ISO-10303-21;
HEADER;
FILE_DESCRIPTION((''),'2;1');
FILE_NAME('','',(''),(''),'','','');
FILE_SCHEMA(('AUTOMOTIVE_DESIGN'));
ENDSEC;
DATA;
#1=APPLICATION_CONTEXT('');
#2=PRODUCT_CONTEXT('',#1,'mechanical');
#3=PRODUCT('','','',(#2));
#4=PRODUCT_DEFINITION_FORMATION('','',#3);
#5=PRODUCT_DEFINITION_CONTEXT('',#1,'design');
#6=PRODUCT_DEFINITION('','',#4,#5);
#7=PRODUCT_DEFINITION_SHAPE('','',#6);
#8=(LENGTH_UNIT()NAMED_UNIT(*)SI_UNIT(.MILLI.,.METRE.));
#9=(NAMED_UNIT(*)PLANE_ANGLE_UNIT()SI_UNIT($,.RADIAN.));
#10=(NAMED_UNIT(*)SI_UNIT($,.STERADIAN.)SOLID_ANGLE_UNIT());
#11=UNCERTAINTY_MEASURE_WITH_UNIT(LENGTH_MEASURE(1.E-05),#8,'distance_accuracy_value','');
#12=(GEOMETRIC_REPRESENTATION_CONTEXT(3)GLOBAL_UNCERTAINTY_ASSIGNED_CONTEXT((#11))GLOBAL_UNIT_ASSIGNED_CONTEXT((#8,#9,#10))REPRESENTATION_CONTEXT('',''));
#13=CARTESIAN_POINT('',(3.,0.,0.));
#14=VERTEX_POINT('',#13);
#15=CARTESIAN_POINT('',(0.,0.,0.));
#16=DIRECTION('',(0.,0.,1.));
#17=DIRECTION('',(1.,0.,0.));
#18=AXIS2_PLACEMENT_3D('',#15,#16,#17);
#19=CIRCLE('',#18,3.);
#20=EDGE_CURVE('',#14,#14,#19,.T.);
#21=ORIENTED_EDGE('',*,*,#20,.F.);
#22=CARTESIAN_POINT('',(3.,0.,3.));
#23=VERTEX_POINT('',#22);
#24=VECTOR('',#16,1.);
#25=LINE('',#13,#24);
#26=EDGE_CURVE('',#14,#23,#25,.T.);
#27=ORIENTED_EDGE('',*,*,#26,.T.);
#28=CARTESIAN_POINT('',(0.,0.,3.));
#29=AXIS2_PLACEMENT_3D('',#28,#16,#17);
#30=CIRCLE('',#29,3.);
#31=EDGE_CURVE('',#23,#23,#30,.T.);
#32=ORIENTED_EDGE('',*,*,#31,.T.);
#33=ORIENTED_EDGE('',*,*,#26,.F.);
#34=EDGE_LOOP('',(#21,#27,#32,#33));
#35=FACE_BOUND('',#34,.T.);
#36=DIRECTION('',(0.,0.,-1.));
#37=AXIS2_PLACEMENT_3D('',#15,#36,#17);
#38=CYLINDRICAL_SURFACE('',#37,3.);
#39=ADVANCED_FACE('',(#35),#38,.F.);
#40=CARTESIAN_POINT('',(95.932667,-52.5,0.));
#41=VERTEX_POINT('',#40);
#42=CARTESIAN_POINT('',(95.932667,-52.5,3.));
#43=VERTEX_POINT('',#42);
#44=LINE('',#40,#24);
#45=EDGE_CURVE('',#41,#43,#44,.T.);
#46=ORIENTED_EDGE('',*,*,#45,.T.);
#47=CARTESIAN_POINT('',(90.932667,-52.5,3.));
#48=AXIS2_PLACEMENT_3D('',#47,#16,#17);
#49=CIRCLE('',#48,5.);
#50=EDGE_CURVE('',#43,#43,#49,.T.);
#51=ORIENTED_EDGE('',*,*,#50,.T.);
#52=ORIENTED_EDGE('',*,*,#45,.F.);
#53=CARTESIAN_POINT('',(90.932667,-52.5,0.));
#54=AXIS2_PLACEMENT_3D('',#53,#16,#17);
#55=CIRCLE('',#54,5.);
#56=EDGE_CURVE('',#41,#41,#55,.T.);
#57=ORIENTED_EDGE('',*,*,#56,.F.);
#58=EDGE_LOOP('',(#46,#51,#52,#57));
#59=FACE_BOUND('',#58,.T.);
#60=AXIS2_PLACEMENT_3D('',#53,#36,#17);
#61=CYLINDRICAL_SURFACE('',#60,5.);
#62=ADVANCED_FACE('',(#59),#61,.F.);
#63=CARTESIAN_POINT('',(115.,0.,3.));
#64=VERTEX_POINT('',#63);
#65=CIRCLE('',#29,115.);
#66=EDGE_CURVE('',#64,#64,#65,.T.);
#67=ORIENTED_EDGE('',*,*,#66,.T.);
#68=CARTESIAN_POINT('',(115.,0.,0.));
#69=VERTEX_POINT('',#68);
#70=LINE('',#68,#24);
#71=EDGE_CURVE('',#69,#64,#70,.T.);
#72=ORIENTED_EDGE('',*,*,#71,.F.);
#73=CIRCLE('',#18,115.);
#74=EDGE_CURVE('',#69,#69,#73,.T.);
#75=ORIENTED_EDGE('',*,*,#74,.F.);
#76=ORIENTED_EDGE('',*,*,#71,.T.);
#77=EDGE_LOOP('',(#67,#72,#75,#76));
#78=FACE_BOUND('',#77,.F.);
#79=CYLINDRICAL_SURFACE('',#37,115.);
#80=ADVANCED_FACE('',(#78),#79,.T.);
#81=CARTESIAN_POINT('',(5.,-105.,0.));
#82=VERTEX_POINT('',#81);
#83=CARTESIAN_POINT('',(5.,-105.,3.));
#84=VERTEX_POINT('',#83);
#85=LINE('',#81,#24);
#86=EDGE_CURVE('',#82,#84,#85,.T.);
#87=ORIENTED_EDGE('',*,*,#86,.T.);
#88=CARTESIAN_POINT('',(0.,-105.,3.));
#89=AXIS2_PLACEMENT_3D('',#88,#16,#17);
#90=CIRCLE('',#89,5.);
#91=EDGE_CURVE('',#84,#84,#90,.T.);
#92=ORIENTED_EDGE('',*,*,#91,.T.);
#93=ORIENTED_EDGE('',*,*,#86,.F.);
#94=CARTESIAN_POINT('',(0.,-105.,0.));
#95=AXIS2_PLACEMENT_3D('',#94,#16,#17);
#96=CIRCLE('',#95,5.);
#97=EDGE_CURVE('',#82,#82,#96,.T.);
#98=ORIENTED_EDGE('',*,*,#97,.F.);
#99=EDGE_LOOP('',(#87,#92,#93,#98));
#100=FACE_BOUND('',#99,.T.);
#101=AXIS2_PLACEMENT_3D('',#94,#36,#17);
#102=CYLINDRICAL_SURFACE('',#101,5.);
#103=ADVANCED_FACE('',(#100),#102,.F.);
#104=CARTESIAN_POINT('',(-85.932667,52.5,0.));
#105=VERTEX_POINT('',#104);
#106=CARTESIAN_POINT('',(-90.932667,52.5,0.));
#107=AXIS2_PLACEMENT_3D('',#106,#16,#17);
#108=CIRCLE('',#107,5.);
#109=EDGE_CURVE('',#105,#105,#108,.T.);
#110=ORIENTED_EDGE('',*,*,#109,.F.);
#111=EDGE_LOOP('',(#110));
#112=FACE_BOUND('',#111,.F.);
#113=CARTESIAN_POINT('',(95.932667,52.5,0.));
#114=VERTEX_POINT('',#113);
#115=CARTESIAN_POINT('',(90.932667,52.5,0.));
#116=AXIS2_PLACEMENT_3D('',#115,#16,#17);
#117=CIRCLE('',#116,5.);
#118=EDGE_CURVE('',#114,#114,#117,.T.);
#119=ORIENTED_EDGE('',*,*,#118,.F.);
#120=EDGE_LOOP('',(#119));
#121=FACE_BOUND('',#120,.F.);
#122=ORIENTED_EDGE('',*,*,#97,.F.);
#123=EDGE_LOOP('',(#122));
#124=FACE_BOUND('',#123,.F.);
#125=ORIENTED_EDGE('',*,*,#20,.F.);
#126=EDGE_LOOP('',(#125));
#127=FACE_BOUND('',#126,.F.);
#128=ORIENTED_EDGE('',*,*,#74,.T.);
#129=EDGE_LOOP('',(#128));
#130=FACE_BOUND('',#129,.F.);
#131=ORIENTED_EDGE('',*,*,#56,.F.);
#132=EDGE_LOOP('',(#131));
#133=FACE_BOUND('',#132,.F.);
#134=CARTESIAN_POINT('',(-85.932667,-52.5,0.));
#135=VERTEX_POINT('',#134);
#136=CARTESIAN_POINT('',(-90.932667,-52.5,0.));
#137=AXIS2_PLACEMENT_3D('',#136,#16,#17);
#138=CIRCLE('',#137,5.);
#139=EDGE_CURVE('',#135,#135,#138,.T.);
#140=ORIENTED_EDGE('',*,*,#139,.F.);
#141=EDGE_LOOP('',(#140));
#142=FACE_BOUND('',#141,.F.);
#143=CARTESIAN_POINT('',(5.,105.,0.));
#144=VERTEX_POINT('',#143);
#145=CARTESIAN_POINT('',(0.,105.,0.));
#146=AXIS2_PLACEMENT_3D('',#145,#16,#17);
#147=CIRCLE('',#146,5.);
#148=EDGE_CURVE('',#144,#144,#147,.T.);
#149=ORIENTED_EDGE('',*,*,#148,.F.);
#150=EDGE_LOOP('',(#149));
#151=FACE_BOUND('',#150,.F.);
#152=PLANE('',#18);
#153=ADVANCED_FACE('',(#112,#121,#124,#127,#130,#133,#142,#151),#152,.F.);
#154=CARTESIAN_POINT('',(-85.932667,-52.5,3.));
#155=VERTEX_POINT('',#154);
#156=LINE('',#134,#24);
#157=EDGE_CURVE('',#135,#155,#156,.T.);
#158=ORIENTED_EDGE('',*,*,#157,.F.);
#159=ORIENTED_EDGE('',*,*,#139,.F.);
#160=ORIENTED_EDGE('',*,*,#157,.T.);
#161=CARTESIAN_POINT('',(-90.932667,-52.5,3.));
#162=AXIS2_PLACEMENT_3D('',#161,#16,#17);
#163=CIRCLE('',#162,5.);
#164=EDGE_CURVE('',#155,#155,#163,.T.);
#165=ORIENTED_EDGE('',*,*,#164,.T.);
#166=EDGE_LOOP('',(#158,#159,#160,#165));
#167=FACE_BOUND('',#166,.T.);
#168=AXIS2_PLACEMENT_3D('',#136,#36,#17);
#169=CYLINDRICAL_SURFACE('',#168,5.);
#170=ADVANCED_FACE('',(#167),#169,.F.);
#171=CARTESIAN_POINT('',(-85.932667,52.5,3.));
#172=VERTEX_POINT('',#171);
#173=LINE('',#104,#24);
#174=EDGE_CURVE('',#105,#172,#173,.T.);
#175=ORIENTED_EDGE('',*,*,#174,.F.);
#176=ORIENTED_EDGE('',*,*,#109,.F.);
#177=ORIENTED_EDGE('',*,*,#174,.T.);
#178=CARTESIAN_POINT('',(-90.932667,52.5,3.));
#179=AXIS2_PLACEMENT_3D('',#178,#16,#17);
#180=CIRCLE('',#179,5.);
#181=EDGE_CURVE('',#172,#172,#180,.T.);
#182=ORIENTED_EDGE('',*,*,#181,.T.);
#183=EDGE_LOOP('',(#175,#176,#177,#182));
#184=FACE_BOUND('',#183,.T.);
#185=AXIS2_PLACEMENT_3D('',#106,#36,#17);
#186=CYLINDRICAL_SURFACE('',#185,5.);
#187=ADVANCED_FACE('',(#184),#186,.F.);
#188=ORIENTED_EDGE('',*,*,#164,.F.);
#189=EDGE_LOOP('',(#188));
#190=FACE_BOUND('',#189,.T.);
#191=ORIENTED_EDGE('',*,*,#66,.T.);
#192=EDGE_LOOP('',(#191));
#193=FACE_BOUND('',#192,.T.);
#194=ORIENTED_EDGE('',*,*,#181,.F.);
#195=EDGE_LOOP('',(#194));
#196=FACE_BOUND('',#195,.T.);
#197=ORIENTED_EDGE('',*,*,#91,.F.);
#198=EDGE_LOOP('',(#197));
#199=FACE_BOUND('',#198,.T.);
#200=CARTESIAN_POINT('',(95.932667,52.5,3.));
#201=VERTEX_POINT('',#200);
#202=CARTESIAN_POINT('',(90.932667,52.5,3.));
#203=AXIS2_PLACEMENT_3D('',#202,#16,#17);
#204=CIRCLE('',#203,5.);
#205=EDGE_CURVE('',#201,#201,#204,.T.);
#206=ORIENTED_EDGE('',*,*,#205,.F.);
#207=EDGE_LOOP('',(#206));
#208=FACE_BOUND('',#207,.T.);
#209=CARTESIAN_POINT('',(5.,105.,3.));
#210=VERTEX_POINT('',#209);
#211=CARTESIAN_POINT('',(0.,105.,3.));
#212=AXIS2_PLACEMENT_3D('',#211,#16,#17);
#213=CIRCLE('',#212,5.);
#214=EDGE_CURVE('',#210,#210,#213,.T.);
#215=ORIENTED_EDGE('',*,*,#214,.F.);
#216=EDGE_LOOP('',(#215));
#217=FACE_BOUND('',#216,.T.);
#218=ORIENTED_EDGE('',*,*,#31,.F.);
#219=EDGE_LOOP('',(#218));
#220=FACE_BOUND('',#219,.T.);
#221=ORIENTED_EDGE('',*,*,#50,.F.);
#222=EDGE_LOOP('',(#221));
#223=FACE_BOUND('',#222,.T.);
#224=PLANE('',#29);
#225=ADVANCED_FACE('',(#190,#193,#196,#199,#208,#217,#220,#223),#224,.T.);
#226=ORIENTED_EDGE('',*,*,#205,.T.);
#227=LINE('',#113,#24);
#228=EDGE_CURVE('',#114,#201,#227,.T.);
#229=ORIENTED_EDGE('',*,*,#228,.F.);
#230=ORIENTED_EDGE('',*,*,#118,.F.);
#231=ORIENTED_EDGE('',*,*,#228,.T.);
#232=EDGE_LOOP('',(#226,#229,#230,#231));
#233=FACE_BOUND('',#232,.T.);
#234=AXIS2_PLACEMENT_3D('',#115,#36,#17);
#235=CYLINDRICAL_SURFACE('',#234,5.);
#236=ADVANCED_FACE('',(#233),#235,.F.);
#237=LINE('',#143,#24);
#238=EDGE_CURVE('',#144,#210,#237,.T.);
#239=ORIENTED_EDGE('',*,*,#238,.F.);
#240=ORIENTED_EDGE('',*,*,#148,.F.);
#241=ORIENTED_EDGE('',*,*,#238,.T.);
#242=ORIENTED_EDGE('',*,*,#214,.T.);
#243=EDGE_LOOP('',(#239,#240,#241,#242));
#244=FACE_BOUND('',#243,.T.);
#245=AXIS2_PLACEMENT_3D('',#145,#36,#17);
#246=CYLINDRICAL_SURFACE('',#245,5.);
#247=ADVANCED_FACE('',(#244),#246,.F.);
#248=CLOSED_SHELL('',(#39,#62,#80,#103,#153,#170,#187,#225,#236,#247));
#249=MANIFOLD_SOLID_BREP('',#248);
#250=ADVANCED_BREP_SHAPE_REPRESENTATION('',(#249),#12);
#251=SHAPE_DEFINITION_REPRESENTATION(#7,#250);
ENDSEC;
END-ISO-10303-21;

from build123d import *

# Parameters (mm, degrees)
F0_R     = 115
F0_R_2   = 5
F0_R_3   = 3
F1_DEPTH = 3


with BuildPart() as f1:
    # F0 (on Top) → F1 (new body)
    with BuildSketch(Plane.XY):
        Circle(F0_R)
        with Locations((-90.932667, -52.5)):
            Circle(F0_R_2, mode=Mode.SUBTRACT)
        with Locations((0, -105)):
            Circle(F0_R_2, mode=Mode.SUBTRACT)
        with Locations((90.932667, -52.5)):
            Circle(F0_R_2, mode=Mode.SUBTRACT)
        with Locations((-90.932667, 52.5)):
            Circle(F0_R_2, mode=Mode.SUBTRACT)
        Circle(F0_R_3, mode=Mode.SUBTRACT)
        with Locations((90.932667, 52.5)):
            Circle(F0_R_2, mode=Mode.SUBTRACT)
        with Locations((0, 105)):
            Circle(F0_R_2, mode=Mode.SUBTRACT)
    extrude(amount=F1_DEPTH)


solid = f1.part
